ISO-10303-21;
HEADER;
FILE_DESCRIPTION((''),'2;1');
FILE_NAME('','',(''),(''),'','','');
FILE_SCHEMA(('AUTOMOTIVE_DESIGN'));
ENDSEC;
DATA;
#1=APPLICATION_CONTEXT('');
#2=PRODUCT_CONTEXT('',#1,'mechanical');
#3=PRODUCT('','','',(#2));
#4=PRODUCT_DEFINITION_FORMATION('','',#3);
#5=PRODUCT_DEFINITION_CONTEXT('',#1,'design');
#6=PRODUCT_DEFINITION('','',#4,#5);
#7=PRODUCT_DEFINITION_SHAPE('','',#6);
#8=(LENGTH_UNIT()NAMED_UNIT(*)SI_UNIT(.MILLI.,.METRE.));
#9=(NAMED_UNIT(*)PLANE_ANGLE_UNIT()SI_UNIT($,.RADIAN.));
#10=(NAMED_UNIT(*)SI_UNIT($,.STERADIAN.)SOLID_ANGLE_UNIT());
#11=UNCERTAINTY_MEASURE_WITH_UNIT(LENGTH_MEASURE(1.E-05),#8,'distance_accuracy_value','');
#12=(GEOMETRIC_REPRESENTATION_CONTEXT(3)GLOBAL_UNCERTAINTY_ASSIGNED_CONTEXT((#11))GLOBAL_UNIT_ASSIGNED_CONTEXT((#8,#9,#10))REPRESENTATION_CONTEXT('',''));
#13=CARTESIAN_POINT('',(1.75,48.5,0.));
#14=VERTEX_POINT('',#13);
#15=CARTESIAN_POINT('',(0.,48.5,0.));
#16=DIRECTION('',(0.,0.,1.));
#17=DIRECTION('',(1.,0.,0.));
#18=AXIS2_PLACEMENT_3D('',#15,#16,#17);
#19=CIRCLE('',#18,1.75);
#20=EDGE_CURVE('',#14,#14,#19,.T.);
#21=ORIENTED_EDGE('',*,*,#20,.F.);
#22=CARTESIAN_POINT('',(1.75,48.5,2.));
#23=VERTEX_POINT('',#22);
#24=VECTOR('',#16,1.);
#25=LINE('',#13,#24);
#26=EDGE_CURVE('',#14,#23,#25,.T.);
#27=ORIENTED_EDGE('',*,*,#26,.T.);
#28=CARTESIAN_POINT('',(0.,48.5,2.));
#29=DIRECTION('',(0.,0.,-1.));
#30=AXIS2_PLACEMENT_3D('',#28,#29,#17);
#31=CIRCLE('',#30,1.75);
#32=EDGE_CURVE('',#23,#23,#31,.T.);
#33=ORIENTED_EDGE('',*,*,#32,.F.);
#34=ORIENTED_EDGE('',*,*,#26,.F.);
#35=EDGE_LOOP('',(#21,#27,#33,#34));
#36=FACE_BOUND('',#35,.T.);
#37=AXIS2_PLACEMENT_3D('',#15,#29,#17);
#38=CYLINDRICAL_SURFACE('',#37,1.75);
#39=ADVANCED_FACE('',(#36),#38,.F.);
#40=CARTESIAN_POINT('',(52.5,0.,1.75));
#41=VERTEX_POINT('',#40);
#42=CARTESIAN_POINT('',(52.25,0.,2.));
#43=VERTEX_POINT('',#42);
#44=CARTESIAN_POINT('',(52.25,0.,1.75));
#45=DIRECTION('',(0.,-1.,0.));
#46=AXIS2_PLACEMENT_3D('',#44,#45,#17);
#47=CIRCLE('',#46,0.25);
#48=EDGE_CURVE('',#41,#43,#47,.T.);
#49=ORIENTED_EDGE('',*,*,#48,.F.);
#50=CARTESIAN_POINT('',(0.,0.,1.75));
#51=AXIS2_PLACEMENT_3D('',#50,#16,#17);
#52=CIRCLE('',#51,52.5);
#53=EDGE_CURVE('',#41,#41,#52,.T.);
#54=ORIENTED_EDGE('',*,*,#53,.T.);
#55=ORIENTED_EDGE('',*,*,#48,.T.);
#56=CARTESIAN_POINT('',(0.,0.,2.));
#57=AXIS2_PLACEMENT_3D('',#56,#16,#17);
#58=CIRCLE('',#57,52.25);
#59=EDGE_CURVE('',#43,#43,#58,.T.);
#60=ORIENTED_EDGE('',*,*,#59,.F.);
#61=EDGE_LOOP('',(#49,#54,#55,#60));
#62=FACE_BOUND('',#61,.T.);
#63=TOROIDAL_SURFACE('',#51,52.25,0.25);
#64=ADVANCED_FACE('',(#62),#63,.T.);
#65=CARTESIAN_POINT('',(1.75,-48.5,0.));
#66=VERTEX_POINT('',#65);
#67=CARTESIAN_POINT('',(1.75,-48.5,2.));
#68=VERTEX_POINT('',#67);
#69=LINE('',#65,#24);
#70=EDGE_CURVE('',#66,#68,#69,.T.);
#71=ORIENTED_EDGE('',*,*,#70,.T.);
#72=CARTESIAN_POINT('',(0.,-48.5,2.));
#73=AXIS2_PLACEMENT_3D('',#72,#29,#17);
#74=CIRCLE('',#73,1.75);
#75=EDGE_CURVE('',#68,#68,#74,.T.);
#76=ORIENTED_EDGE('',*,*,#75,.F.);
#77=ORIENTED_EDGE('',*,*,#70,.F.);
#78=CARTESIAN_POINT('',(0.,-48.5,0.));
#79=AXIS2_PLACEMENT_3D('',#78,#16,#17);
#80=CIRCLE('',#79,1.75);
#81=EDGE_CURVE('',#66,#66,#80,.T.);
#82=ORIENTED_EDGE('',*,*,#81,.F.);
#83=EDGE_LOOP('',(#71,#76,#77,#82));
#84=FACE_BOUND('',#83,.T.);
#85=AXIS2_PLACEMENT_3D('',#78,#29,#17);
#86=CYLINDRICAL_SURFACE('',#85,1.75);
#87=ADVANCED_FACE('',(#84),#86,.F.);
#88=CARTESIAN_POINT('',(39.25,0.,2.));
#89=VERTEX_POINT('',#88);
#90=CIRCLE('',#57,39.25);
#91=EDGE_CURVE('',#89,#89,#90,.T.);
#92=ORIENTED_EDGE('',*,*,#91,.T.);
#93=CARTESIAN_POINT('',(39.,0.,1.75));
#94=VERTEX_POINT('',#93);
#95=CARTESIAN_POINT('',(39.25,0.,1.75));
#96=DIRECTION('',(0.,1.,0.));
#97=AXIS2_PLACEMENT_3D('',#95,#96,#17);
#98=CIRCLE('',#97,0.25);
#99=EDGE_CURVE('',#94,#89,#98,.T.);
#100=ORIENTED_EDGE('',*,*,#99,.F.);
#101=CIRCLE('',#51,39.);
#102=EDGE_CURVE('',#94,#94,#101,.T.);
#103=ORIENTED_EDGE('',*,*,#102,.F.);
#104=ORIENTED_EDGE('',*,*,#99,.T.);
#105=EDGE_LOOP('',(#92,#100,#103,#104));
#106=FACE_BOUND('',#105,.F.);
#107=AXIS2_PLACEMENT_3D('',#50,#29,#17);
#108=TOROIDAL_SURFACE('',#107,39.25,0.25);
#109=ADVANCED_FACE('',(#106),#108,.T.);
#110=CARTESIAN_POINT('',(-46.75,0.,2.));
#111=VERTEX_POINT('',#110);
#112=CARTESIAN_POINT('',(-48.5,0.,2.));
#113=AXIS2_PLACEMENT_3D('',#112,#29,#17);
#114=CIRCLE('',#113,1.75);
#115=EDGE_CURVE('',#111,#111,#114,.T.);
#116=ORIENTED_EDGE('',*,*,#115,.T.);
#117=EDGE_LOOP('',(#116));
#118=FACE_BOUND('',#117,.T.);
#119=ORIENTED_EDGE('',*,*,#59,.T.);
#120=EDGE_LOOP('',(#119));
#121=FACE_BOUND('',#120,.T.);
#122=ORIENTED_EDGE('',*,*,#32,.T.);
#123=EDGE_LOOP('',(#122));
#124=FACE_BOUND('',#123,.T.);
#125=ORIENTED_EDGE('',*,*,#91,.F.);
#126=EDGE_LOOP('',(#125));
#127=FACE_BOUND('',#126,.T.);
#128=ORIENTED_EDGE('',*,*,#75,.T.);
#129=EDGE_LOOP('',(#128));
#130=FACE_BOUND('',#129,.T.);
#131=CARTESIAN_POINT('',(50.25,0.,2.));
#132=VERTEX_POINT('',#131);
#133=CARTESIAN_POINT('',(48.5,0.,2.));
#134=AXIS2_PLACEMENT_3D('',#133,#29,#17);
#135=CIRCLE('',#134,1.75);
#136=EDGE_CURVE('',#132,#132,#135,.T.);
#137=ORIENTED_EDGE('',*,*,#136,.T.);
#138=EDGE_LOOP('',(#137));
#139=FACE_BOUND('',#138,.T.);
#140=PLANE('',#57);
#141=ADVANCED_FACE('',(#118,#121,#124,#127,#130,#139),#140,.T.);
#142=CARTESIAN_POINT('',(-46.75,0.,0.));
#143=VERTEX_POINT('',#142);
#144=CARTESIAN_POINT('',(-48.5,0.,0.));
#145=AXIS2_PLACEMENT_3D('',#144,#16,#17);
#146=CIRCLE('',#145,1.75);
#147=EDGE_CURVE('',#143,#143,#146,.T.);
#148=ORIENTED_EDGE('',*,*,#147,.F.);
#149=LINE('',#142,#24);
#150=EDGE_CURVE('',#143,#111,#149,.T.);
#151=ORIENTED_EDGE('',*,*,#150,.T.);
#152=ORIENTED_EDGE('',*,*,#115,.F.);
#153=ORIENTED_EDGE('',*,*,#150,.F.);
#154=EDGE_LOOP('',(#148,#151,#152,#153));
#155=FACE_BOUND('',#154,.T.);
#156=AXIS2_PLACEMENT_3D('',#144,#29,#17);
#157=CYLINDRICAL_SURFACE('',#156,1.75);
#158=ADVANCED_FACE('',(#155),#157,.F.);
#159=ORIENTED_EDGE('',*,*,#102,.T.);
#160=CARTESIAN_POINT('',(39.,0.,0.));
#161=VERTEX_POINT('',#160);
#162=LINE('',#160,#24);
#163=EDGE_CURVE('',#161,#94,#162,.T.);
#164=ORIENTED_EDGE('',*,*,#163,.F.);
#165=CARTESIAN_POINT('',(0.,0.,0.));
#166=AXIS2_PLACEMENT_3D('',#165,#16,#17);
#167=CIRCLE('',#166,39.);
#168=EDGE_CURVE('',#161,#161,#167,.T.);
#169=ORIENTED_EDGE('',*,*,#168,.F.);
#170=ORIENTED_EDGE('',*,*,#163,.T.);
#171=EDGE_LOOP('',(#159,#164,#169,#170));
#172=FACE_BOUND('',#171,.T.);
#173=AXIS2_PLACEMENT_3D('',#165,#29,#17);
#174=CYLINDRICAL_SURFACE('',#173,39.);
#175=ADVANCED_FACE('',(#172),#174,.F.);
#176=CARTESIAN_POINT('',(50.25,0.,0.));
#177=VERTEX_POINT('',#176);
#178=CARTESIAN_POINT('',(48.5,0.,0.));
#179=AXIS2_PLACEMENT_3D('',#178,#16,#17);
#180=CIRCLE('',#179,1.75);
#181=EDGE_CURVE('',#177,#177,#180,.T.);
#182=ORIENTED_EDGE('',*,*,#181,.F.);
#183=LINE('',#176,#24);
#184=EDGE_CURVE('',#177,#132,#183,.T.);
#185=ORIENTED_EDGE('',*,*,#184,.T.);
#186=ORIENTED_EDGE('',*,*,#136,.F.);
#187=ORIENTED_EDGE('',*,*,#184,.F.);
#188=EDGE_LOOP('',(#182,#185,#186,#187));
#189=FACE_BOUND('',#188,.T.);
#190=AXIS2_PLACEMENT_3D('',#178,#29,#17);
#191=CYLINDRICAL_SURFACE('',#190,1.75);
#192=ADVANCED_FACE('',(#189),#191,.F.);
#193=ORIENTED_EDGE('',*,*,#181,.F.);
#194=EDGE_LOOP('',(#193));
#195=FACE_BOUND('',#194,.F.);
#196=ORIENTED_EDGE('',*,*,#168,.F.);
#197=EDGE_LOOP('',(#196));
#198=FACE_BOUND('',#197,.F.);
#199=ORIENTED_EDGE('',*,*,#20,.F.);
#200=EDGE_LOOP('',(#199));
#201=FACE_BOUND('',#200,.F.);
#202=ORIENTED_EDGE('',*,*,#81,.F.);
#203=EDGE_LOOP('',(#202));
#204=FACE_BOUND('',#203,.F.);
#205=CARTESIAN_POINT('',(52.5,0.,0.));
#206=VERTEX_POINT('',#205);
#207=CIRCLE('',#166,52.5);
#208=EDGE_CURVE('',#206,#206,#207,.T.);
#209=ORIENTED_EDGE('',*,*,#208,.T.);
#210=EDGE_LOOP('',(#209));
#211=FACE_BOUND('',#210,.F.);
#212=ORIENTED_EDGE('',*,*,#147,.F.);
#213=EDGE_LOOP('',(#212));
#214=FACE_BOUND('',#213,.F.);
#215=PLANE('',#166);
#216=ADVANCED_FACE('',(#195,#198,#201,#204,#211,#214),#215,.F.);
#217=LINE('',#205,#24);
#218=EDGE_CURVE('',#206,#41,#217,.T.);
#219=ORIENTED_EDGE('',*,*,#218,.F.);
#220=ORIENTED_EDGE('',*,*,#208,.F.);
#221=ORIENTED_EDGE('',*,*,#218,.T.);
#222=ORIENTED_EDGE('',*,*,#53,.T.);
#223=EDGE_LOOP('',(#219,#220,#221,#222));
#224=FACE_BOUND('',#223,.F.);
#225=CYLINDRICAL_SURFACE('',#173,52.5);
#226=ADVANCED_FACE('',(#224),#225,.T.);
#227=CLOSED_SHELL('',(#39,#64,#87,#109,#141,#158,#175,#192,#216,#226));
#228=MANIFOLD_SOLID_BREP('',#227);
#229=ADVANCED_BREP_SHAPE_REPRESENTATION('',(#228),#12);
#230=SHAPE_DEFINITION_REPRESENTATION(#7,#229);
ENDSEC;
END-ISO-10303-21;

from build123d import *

# Parameters (mm, degrees)
F0_R     = 52.5
F0_R_2   = 39
F1_DEPTH = 2
F2_R     = 0.25
F3_R     = 1.75
F4_DEPTH = 2.001


with BuildPart() as f1:
    # F0 (on Top) → F1 (new body)
    with BuildSketch(Plane.XY):
        Circle(F0_R)
        Circle(F0_R_2, mode=Mode.SUBTRACT)
    extrude(amount=F1_DEPTH)

    # F2
    f2_edges = [f1.edges().sort_by_distance(p)[0] for p in [
        (-52.5, 0, 2),
        (-39, 0, 2),
    ]]
    fillet(f2_edges, radius=F2_R)

    # F3 (on Top) → F4 (cut, through all)
    with BuildSketch(Plane.XY):
        with Locations((48.5, 0)):
            Circle(F3_R)
        with Locations((0, 48.5)):
            Circle(F3_R)
        with Locations((-48.5, 0)):
            Circle(F3_R)
        with Locations((0, -48.5)):
            Circle(F3_R)
    extrude(amount=F4_DEPTH, mode=Mode.SUBTRACT)


solid = f1.part
